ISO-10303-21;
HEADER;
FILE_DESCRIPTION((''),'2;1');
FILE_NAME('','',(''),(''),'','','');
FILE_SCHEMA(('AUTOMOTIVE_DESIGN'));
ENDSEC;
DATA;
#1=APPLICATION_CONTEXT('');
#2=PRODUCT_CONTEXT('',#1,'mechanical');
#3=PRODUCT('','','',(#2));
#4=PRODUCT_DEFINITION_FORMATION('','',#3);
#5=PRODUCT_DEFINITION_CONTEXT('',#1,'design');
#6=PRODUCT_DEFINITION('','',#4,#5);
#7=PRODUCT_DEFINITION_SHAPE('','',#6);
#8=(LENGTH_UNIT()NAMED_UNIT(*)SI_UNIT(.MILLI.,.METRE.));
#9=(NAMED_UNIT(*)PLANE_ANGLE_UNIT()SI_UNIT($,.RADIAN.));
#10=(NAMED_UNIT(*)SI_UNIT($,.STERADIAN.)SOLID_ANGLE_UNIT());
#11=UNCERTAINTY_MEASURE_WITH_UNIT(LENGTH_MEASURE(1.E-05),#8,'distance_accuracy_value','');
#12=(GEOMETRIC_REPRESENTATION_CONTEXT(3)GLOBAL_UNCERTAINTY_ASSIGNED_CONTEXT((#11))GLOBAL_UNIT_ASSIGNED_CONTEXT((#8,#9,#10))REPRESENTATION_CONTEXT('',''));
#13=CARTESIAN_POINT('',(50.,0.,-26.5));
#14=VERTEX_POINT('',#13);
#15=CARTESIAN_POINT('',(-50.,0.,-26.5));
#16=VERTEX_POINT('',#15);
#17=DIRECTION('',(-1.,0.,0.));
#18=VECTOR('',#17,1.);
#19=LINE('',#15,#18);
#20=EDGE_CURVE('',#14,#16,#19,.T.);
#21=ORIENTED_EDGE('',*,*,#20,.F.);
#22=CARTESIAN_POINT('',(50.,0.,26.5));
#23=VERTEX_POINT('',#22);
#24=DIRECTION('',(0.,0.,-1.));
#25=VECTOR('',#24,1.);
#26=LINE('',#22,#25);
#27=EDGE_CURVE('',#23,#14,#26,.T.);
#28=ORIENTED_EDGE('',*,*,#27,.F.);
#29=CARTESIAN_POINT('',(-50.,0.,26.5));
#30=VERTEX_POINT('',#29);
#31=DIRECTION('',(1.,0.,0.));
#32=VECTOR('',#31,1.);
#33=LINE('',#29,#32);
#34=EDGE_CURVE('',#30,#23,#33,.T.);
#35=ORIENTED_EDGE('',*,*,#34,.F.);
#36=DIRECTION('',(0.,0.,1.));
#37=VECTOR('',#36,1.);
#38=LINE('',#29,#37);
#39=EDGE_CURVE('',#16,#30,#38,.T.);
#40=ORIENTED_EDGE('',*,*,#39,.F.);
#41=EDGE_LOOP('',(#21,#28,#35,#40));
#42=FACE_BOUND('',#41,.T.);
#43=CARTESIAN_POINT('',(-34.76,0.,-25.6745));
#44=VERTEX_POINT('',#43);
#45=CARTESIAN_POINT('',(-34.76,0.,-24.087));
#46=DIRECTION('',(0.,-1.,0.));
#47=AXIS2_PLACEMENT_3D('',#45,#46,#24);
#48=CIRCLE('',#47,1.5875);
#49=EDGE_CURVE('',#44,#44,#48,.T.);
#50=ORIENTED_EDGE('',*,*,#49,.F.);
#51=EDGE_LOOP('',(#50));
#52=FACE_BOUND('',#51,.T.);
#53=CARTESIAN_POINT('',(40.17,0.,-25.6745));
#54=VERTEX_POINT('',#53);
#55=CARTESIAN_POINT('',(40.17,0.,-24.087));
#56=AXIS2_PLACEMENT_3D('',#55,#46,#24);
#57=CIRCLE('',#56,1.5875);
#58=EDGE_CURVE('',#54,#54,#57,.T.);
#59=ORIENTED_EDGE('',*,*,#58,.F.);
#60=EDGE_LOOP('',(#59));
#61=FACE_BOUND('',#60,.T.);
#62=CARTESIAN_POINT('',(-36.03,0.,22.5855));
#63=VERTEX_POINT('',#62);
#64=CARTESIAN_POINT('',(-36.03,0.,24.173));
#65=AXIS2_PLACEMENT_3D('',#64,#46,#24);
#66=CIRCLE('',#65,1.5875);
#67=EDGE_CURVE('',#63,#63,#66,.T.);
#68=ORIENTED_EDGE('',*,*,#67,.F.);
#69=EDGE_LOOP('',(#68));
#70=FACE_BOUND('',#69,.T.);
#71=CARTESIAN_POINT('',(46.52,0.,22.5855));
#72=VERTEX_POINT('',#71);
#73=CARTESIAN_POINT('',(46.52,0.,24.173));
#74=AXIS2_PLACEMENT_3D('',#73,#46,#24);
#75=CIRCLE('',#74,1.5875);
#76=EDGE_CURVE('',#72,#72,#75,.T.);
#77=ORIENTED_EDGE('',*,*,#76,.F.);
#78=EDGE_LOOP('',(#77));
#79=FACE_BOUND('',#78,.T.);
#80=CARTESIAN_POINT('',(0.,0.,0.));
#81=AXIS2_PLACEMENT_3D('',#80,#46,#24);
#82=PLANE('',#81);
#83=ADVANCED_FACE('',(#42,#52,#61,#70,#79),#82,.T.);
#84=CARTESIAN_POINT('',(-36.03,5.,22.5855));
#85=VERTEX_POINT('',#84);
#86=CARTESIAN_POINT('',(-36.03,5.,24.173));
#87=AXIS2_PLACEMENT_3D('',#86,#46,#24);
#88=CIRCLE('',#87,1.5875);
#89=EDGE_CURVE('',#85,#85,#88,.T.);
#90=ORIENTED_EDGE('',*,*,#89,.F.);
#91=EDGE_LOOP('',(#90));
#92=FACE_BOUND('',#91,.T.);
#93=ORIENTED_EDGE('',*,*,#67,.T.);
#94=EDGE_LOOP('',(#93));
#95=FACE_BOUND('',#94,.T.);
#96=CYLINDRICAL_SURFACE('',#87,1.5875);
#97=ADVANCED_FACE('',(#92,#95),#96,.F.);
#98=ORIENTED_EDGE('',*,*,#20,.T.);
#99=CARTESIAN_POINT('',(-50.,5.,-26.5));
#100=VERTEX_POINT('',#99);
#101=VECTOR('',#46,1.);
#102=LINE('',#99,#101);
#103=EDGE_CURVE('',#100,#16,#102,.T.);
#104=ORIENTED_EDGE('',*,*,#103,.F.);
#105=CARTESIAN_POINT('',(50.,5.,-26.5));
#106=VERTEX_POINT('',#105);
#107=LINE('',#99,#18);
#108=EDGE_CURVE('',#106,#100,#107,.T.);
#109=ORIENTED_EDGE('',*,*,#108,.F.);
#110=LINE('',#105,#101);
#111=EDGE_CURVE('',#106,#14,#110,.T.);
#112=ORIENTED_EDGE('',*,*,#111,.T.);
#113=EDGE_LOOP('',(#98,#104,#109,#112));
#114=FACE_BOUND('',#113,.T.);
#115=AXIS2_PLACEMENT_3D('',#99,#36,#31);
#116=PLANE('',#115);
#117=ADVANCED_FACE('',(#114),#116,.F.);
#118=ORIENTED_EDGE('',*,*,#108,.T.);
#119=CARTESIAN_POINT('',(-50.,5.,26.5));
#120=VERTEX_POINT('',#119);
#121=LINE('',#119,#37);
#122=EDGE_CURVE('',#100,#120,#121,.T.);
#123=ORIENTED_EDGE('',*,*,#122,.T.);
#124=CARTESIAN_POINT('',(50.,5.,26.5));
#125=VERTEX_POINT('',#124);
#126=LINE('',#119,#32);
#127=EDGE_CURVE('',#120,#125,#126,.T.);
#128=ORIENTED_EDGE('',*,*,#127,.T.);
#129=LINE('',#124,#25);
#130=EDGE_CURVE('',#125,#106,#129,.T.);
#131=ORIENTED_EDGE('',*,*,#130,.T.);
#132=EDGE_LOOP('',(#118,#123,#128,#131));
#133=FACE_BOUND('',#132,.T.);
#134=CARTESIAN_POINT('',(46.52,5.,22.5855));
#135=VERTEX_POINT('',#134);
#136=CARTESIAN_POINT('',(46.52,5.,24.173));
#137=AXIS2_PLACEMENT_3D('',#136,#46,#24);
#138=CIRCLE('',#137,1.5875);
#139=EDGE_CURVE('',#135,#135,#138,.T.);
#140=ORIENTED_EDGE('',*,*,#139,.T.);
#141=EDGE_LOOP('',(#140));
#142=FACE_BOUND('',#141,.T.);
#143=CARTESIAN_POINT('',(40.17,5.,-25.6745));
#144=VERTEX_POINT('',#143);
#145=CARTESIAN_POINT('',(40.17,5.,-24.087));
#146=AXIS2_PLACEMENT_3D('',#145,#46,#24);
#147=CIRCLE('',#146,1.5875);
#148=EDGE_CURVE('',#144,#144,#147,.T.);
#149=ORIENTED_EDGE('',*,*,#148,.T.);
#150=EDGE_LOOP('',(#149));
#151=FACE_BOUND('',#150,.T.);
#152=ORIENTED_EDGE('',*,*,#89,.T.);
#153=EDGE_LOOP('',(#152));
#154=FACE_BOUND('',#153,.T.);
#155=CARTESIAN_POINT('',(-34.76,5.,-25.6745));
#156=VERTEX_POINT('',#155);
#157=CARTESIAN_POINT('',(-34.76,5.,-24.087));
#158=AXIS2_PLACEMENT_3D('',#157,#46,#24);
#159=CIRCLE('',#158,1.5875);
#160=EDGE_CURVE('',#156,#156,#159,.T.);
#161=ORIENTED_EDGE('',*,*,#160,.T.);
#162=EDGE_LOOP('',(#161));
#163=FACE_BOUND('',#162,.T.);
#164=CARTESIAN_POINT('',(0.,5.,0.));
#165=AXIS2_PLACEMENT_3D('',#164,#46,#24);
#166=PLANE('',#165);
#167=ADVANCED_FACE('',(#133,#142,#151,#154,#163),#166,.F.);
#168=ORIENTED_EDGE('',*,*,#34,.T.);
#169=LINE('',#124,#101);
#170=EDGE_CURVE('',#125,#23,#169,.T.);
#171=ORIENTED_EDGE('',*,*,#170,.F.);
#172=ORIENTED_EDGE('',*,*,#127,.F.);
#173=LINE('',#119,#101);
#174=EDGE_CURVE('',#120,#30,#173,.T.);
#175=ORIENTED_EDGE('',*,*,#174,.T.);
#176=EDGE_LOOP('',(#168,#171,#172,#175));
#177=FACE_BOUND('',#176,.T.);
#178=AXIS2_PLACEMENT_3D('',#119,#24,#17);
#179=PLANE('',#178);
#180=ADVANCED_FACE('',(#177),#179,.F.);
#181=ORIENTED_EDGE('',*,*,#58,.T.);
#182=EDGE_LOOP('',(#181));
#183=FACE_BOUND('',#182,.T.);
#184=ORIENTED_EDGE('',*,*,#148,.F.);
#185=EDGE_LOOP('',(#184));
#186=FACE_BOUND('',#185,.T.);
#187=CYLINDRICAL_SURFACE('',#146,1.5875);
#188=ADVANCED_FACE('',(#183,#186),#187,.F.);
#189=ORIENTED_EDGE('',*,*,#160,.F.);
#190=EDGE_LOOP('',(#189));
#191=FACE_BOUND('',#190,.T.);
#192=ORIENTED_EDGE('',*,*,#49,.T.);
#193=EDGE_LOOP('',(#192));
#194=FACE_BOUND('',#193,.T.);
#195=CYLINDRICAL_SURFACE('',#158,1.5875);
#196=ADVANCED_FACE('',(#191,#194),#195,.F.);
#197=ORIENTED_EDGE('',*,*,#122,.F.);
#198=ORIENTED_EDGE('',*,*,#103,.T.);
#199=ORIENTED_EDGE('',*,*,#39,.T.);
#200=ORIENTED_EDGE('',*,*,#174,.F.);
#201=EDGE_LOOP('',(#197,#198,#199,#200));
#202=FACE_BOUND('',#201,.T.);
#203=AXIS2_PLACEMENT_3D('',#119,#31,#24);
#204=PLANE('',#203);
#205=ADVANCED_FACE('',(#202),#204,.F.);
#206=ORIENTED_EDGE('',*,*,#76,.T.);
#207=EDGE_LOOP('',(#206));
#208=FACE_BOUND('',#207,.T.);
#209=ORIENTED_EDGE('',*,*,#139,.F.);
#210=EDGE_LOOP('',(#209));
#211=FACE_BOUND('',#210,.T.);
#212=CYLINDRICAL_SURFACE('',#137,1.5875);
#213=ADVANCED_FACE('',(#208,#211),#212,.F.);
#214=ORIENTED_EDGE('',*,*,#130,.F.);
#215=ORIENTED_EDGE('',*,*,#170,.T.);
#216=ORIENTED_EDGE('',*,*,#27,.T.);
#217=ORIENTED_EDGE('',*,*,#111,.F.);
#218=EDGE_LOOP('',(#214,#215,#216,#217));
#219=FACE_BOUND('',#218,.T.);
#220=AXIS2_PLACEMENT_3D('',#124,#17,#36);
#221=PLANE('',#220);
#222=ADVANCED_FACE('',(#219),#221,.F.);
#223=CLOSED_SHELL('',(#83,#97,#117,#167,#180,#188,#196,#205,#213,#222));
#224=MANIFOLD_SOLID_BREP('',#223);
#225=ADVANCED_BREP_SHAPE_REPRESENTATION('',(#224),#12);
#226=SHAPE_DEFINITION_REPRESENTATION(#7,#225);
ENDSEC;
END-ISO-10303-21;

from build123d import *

# Parameters (mm, degrees)
SKETCH1_W           = 100
SKETCH1_H           = 53
BOSS_EXTRUDE1_DEPTH = 5
SKETCH2_R           = 1.5875
CUT_EXTRUDE1_DEPTH  = 57.808890149


with BuildPart() as part:
    # Sketch1 → Boss-Extrude1 (new body)
    with BuildSketch(Plane(origin=(0, 0, 0), x_dir=(1, 0, 0), z_dir=(0, 1, 0))):
        Rectangle(SKETCH1_W, SKETCH1_H)
    extrude(amount=BOSS_EXTRUDE1_DEPTH)

    # Sketch2 → Cut-Extrude1 (cut, through all)
    with BuildSketch(Plane.XZ):
        with Locations(Location((46.52, 24.173, 0), (0, 0, 270))):
            Circle(SKETCH2_R)
        with Locations(Location((40.17, -24.087, 0), (0, 0, 270))):
            Circle(SKETCH2_R)
        with Locations(Location((-34.76, -24.087, 0), (0, 0, 270))):
            Circle(SKETCH2_R)
        with Locations(Location((-36.03, 24.173, 0), (0, 0, 270))):
            Circle(SKETCH2_R)
    extrude(amount=-CUT_EXTRUDE1_DEPTH, mode=Mode.SUBTRACT)


solid = part.part
